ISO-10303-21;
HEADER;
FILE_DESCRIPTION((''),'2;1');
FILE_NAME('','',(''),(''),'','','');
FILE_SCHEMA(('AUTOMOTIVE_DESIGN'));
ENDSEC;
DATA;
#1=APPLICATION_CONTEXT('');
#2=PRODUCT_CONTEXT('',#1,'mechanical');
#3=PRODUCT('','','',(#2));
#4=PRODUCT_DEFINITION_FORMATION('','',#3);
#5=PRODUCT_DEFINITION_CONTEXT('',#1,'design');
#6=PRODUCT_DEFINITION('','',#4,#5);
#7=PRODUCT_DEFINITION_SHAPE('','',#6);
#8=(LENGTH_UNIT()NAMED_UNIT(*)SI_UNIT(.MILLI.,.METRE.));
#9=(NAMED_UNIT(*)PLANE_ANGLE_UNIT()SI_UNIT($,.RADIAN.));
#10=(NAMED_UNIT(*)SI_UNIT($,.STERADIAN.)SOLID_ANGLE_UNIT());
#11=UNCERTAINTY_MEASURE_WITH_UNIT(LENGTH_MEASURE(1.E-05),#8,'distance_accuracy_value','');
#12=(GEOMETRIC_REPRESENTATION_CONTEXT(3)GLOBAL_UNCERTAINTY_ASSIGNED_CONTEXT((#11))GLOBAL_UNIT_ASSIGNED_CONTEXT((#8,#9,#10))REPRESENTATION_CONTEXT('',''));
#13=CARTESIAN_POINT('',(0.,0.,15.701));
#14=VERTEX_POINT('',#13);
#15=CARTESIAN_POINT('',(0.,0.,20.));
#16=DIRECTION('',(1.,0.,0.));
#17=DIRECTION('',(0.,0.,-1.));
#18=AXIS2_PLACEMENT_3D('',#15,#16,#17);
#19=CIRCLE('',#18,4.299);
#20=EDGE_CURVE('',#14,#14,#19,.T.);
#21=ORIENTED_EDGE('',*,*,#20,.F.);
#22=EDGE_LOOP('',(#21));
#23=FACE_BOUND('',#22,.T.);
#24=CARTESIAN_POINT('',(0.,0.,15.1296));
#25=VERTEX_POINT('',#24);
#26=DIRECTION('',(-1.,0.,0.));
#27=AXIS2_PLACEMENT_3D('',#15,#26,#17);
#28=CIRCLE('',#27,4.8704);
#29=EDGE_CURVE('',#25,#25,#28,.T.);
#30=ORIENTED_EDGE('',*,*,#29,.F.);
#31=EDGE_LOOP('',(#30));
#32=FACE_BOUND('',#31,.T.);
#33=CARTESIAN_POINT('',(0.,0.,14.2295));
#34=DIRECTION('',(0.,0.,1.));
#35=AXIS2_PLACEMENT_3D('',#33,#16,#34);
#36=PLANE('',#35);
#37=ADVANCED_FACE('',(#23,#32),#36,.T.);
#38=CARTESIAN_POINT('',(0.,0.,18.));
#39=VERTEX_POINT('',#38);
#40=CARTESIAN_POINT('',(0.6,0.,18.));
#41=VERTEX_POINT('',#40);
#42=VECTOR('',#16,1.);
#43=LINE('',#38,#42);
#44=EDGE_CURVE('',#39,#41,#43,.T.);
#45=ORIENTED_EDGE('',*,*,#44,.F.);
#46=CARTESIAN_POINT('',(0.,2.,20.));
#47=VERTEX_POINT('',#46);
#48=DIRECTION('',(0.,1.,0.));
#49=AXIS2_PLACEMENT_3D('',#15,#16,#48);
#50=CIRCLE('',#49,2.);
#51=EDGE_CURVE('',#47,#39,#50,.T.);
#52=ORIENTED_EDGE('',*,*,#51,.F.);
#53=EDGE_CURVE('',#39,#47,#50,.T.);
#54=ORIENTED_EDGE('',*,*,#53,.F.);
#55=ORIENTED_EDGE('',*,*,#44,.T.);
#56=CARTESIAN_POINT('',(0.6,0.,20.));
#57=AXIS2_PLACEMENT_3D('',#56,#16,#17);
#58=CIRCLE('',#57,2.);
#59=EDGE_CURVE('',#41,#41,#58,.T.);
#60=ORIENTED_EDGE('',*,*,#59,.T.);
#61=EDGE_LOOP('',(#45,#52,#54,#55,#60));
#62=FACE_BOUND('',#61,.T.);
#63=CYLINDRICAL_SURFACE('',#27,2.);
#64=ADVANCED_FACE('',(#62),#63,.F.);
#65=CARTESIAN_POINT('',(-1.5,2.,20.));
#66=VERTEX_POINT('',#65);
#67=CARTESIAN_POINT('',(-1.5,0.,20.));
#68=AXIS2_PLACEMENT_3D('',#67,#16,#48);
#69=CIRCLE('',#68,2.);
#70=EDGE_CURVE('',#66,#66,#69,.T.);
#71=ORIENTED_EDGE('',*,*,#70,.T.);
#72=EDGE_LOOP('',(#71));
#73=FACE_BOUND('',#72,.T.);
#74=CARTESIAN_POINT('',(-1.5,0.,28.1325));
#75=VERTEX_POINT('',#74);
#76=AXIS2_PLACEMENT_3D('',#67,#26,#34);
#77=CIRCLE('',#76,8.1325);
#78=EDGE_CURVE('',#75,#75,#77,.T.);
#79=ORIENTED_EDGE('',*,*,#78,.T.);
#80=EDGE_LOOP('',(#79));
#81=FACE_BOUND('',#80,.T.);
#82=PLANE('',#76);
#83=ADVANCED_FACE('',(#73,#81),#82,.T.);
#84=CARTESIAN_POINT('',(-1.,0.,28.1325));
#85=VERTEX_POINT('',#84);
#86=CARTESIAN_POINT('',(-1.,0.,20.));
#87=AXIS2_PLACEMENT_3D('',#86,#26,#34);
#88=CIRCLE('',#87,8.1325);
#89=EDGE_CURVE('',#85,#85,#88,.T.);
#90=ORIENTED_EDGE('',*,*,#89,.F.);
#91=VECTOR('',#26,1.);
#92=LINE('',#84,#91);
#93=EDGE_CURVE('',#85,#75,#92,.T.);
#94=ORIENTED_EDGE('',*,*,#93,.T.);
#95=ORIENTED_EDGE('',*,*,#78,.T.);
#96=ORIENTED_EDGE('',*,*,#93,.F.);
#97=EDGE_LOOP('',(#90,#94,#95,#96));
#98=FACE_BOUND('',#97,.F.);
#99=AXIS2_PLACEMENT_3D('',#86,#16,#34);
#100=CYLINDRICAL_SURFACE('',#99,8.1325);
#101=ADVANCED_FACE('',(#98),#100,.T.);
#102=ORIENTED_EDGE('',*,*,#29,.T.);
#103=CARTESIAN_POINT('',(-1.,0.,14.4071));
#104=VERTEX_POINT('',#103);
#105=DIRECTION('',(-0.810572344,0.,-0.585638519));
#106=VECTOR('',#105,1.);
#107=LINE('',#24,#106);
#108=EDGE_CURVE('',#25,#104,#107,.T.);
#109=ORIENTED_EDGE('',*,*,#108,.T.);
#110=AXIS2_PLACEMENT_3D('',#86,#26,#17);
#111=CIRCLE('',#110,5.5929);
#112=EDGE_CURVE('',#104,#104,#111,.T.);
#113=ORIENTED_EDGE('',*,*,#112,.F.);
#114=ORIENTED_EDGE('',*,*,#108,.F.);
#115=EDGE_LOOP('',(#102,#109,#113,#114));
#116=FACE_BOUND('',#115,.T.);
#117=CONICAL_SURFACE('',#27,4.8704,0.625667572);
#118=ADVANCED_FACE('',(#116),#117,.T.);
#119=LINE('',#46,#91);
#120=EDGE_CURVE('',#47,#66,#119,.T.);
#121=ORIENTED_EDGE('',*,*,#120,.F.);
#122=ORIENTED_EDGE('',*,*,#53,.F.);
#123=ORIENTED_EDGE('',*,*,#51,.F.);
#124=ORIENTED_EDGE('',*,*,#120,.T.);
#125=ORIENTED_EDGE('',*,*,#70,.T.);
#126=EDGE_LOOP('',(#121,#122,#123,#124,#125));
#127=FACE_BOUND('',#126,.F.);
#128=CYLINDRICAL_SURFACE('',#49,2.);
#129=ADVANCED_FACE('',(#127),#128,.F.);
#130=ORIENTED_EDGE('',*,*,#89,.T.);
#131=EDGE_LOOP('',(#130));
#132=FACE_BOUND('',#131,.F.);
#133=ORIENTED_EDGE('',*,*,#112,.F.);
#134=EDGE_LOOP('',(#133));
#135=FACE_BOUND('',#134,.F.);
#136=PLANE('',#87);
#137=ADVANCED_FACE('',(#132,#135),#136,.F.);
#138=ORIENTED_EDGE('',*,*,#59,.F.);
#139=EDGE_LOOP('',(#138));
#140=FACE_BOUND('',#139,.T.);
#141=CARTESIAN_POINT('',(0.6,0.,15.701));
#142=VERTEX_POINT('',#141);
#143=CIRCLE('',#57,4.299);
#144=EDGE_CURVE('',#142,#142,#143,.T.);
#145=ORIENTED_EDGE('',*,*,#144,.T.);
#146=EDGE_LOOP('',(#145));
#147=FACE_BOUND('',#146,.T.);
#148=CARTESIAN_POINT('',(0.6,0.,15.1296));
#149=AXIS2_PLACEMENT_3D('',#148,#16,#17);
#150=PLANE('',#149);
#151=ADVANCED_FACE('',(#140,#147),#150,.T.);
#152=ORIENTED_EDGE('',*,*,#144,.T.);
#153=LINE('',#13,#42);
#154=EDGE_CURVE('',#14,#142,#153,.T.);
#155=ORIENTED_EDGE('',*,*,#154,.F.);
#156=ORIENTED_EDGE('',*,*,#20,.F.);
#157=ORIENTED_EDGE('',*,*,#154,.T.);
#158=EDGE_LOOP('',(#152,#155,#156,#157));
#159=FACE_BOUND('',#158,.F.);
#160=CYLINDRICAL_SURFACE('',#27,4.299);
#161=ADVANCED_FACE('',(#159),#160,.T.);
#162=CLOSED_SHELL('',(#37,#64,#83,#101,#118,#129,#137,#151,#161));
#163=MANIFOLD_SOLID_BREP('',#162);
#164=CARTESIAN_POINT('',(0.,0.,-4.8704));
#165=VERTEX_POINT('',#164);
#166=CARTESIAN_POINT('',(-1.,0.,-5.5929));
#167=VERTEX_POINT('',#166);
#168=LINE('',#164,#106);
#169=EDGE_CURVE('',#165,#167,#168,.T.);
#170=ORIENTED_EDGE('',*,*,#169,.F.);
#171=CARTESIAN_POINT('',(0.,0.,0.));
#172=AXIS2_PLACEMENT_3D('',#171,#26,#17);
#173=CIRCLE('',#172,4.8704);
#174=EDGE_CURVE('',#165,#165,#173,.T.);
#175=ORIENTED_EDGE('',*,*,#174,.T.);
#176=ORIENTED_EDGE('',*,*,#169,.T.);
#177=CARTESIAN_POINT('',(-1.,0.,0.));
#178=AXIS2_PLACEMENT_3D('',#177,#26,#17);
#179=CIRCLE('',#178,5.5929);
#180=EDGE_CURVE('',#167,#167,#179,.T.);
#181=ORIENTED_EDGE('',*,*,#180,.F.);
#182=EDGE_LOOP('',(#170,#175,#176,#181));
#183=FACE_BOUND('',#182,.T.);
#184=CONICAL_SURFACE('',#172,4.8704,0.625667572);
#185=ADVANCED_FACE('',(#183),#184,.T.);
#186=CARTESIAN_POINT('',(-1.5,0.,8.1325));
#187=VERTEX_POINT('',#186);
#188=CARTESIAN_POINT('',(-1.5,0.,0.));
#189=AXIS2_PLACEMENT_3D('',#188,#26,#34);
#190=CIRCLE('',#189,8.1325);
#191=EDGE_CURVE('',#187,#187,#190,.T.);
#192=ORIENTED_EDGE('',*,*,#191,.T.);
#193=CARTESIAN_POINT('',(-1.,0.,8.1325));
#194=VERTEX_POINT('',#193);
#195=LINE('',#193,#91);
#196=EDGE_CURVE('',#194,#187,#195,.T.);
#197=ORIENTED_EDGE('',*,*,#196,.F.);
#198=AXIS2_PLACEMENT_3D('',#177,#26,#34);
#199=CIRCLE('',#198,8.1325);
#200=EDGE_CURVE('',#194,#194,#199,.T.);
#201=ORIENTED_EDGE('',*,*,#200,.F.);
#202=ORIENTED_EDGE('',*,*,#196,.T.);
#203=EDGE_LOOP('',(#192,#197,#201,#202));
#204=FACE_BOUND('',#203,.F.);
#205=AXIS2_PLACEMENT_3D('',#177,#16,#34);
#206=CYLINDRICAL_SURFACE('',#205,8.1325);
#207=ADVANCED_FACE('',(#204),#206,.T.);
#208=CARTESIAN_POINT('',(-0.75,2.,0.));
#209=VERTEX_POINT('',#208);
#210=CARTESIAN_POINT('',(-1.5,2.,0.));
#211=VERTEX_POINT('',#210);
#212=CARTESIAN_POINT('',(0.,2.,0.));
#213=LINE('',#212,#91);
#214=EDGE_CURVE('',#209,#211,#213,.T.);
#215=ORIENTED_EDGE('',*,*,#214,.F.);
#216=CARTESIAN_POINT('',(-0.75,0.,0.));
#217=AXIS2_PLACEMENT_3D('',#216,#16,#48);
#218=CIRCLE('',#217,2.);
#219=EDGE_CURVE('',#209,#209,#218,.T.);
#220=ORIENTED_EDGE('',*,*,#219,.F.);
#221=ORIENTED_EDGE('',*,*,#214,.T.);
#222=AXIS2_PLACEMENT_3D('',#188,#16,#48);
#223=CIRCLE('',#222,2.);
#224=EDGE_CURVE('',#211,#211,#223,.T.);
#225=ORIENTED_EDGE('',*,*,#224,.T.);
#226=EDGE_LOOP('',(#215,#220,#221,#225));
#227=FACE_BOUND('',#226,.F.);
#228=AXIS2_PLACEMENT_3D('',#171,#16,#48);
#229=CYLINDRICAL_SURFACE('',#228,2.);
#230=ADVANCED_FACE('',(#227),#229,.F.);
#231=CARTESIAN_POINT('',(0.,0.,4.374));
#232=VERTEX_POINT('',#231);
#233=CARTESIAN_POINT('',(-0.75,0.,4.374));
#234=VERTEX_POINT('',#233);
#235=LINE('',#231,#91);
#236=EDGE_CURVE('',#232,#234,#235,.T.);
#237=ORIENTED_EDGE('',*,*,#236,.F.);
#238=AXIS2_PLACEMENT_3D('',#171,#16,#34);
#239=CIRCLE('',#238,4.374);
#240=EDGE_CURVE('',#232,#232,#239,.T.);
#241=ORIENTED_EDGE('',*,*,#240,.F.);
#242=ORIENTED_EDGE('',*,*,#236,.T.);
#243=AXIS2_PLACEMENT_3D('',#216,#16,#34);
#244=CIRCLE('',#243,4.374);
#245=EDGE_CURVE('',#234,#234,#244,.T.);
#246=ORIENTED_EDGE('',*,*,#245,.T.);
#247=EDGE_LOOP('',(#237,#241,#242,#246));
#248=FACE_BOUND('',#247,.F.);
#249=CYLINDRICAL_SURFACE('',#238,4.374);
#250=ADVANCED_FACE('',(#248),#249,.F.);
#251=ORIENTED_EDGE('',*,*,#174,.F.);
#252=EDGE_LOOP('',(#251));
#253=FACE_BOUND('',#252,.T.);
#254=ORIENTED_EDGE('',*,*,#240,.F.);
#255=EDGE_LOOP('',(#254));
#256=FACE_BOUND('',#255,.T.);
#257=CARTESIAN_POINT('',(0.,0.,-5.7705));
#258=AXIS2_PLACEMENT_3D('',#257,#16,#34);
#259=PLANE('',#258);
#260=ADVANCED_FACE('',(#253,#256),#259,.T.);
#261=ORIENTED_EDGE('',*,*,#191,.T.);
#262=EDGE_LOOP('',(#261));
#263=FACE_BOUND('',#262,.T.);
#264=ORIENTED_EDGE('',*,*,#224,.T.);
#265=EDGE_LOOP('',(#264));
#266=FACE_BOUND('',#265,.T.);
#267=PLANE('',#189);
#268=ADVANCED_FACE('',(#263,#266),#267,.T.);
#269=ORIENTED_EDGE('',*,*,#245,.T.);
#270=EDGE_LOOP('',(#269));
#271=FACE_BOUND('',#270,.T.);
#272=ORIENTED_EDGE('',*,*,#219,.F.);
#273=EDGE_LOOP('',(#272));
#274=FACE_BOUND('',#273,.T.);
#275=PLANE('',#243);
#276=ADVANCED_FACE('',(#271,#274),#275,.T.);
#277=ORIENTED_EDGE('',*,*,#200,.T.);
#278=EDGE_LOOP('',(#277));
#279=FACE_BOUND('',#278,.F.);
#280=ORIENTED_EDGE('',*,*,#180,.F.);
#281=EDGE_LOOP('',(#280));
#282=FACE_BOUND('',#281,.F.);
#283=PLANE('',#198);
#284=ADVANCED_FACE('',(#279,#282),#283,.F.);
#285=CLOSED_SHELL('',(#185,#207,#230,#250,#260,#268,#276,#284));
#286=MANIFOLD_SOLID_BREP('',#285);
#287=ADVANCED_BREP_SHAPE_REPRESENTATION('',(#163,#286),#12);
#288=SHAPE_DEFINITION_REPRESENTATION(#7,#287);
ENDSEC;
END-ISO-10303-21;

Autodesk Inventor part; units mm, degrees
ref_plane "YZ Plane" through (0, 0, 0) normal (1, 0, 0) x (0, 1, 0)
ref_plane "XZ Plane" through (0, 0, 0) normal (0, 1, 0) x (-1, 0, 0)
ref_plane "XY Plane" through (0, 0, 0) normal (0, 0, 1) x (1, 0, 0)
sketch "Sketch1" plane through (0, 0, 0) normal (1, 0, 0) x (0, 1, 0)
  circle A0 centre (0, 0) radius 4.8704
  dimension "d0" = 9.7409
extrude "Extrusion1" add sketch "Sketch1" along normal mid plane 2
sketch "Sketch2" plane through (-1, 0, 0) normal (-1, 0, 0) x (0, 0, 1)
  circle A0 centre (0, 0) radius 8.1325
extrude "Extrusion2" add sketch "Sketch2" along normal blind 0.5
sketch "Sketch3" plane through (-1.5, 0, 0) normal (-1, 0, 0) x (0, 0, 1)
  point P0 (0, 0)
sketch "Sketch5" plane through (0, 0, 0) normal (0, 1, 0) x (-1, 0, 0)
  circle A0 centre (0, -0.6447) radius 0.3263
  line L0 (-1.5, 0) -> (1.5, 0)
  circle A1 centre (0, 0.6447) radius 0.3263
  point P0 (0, 0)
sketch "Sketch6" plane through (0, 0, 0) normal (0, 1, 0) x (-1, 0, 0)
  line L0 (1, -4.8704) -> (1, 4.8704) projected
  line L1 (1, -4.8704) -> (-1, -4.8704) projected
  line L2 (0, -4.8704) -> (1, -5.5929)
  line L3 (1, -8.1325) -> (1, 8.1325) projected
  line L4 (0, -4.8704) -> (-1, -5.5929)
  line L5 (-1, -5.5929) -> (-1, -4.8704)
  line L6 (1, -4.8704) -> (1, -5.5929)
  line L7 (-2.6263, 0) -> (3.0126, 0)
  line L8 (-1, -5.5929) -> (-1, -4.8704)
  line L9 (0, -4.8704) -> (1, -4.8704)
  point P0 (0, 0)
revolve "Revolution1" add sketch "Sketch6" angle 360 about axis through (2.6263, 0, 0) along (-1, 0, 0)
sketch "Sketch7" plane through (0, 0, 0) normal (0, 1, 0) x (-1, 0, 0)
  line L0 (-5.9098, -5.7705) -> (0, -5.7705)
  line L1 (0, -5.7705) -> (0, 6.7499)
  line L2 (0, 6.7499) -> (-5.9098, 6.7499)
  line L3 (-5.9098, 6.7499) -> (-5.9098, -5.7705)
  point P0 (0, 0)
extrude "Extrusion6" cut sketch "Sketch7" along normal mid plane 15.75
sketch "Sketch8" plane through (0, 0, 0) normal (1, 0, 0) x (0, 1, 0)
  circle A0 centre (0, 0) radius 2
  dimension "d15" = 4
extrude "Extrusion7" cut sketch "Sketch8" against normal through all
sketch "Sketch9" plane through (0, 0, 0) normal (1, 0, 0) x (0, 0, 1)
  circle A0 centre (0, 0) radius 4.374
  circle A1 centre (0, 0) radius 2 projected
  arc A2 (1.4796, -1.3457) -> (-1.4796, -1.3457) centre (0, 0) ccw
  line L0 (0.971, 0) -> (0.971, -2) projected
  line L1 (-0.971, -2) -> (-0.971, 0) projected
  point P0 (-4.8704, 0)
  point P1 (0, -2)
  point P2 (0, -2)
  point P3 (-4.8704, 0)
  dimension "d36" = 8.7479
extrude "Extrusion8" cut sketch "Sketch9" against normal blind 0.75 contours A0 | A1
pattern_linear "Rectangular Pattern3" count 2 spacing 20 along (0, 0, 1) of "Extrusion1", "Extrusion2", "Revolution1", "Extrusion6", "Extrusion7"
sketch "Sketch10" plane through (0, 0, 15.1296) normal (1, 0, 0) x (0, 0, -1)
  arc A0 (-4.8704, 2) -> (-4.8704, 2) centre (-4.8704, 0) ccw projected
  circle A1 centre (-4.8704, 0) radius 2
  circle A2 centre (-4.8704, 0) radius 4.299
  point P0 (15.1296, 0)
  dimension "d43" = 8.5979
extrude "Extrusion9" add sketch "Sketch10" along normal blind 0.6
sketch "Sketch13" plane through (0, 0, 0) normal (1, 0, 0) x (0, 0, -1)
  line L0 (-10.5789, 11.9796) -> (10.4116, 11.9796)
  line L1 (10.4116, 11.9796) -> (10.4116, -10.5162)
  line L2 (10.4116, -10.5162) -> (-10.5789, -10.5162)
  line L3 (-10.5789, -10.5162) -> (-10.5789, 11.9796)
  point P0 (0, 0)
sketch "Sketch12" plane through (0.6, 0, 20) normal (1, 0, 0) x (0, 0, -1)
  line L0 (-15.4581, 11.9378) -> (10.0065, 11.9378)
  line L1 (10.0065, 11.9378) -> (10.0065, -10.3907)
  line L2 (10.0065, -10.3907) -> (-15.4581, -10.3907)
  line L3 (-15.4581, -10.3907) -> (-15.4581, 11.9378)
  point P0 (20, 0)
sketch "Sketch11" plane through (0, 0, 20) normal (1, 0, 0) x (0, 1, 0)
  line L0 (12.8492, -9.7207) -> (-12.5468, -9.7207)
  line L1 (-12.5468, -9.7207) -> (-12.5468, -34.2097)
  line L2 (-12.5468, -34.2097) -> (12.8492, -34.2097)
  line L3 (12.8492, -34.2097) -> (12.8492, -9.7207)
  point P0 (0, -20)
ref_plane "Work Plane7" through (0, 0, 20) normal (1, 0, 0) x (0, 1, 0)
equation "\"tolerancia\" = 0.15"
properties part number "poleas_v13"
